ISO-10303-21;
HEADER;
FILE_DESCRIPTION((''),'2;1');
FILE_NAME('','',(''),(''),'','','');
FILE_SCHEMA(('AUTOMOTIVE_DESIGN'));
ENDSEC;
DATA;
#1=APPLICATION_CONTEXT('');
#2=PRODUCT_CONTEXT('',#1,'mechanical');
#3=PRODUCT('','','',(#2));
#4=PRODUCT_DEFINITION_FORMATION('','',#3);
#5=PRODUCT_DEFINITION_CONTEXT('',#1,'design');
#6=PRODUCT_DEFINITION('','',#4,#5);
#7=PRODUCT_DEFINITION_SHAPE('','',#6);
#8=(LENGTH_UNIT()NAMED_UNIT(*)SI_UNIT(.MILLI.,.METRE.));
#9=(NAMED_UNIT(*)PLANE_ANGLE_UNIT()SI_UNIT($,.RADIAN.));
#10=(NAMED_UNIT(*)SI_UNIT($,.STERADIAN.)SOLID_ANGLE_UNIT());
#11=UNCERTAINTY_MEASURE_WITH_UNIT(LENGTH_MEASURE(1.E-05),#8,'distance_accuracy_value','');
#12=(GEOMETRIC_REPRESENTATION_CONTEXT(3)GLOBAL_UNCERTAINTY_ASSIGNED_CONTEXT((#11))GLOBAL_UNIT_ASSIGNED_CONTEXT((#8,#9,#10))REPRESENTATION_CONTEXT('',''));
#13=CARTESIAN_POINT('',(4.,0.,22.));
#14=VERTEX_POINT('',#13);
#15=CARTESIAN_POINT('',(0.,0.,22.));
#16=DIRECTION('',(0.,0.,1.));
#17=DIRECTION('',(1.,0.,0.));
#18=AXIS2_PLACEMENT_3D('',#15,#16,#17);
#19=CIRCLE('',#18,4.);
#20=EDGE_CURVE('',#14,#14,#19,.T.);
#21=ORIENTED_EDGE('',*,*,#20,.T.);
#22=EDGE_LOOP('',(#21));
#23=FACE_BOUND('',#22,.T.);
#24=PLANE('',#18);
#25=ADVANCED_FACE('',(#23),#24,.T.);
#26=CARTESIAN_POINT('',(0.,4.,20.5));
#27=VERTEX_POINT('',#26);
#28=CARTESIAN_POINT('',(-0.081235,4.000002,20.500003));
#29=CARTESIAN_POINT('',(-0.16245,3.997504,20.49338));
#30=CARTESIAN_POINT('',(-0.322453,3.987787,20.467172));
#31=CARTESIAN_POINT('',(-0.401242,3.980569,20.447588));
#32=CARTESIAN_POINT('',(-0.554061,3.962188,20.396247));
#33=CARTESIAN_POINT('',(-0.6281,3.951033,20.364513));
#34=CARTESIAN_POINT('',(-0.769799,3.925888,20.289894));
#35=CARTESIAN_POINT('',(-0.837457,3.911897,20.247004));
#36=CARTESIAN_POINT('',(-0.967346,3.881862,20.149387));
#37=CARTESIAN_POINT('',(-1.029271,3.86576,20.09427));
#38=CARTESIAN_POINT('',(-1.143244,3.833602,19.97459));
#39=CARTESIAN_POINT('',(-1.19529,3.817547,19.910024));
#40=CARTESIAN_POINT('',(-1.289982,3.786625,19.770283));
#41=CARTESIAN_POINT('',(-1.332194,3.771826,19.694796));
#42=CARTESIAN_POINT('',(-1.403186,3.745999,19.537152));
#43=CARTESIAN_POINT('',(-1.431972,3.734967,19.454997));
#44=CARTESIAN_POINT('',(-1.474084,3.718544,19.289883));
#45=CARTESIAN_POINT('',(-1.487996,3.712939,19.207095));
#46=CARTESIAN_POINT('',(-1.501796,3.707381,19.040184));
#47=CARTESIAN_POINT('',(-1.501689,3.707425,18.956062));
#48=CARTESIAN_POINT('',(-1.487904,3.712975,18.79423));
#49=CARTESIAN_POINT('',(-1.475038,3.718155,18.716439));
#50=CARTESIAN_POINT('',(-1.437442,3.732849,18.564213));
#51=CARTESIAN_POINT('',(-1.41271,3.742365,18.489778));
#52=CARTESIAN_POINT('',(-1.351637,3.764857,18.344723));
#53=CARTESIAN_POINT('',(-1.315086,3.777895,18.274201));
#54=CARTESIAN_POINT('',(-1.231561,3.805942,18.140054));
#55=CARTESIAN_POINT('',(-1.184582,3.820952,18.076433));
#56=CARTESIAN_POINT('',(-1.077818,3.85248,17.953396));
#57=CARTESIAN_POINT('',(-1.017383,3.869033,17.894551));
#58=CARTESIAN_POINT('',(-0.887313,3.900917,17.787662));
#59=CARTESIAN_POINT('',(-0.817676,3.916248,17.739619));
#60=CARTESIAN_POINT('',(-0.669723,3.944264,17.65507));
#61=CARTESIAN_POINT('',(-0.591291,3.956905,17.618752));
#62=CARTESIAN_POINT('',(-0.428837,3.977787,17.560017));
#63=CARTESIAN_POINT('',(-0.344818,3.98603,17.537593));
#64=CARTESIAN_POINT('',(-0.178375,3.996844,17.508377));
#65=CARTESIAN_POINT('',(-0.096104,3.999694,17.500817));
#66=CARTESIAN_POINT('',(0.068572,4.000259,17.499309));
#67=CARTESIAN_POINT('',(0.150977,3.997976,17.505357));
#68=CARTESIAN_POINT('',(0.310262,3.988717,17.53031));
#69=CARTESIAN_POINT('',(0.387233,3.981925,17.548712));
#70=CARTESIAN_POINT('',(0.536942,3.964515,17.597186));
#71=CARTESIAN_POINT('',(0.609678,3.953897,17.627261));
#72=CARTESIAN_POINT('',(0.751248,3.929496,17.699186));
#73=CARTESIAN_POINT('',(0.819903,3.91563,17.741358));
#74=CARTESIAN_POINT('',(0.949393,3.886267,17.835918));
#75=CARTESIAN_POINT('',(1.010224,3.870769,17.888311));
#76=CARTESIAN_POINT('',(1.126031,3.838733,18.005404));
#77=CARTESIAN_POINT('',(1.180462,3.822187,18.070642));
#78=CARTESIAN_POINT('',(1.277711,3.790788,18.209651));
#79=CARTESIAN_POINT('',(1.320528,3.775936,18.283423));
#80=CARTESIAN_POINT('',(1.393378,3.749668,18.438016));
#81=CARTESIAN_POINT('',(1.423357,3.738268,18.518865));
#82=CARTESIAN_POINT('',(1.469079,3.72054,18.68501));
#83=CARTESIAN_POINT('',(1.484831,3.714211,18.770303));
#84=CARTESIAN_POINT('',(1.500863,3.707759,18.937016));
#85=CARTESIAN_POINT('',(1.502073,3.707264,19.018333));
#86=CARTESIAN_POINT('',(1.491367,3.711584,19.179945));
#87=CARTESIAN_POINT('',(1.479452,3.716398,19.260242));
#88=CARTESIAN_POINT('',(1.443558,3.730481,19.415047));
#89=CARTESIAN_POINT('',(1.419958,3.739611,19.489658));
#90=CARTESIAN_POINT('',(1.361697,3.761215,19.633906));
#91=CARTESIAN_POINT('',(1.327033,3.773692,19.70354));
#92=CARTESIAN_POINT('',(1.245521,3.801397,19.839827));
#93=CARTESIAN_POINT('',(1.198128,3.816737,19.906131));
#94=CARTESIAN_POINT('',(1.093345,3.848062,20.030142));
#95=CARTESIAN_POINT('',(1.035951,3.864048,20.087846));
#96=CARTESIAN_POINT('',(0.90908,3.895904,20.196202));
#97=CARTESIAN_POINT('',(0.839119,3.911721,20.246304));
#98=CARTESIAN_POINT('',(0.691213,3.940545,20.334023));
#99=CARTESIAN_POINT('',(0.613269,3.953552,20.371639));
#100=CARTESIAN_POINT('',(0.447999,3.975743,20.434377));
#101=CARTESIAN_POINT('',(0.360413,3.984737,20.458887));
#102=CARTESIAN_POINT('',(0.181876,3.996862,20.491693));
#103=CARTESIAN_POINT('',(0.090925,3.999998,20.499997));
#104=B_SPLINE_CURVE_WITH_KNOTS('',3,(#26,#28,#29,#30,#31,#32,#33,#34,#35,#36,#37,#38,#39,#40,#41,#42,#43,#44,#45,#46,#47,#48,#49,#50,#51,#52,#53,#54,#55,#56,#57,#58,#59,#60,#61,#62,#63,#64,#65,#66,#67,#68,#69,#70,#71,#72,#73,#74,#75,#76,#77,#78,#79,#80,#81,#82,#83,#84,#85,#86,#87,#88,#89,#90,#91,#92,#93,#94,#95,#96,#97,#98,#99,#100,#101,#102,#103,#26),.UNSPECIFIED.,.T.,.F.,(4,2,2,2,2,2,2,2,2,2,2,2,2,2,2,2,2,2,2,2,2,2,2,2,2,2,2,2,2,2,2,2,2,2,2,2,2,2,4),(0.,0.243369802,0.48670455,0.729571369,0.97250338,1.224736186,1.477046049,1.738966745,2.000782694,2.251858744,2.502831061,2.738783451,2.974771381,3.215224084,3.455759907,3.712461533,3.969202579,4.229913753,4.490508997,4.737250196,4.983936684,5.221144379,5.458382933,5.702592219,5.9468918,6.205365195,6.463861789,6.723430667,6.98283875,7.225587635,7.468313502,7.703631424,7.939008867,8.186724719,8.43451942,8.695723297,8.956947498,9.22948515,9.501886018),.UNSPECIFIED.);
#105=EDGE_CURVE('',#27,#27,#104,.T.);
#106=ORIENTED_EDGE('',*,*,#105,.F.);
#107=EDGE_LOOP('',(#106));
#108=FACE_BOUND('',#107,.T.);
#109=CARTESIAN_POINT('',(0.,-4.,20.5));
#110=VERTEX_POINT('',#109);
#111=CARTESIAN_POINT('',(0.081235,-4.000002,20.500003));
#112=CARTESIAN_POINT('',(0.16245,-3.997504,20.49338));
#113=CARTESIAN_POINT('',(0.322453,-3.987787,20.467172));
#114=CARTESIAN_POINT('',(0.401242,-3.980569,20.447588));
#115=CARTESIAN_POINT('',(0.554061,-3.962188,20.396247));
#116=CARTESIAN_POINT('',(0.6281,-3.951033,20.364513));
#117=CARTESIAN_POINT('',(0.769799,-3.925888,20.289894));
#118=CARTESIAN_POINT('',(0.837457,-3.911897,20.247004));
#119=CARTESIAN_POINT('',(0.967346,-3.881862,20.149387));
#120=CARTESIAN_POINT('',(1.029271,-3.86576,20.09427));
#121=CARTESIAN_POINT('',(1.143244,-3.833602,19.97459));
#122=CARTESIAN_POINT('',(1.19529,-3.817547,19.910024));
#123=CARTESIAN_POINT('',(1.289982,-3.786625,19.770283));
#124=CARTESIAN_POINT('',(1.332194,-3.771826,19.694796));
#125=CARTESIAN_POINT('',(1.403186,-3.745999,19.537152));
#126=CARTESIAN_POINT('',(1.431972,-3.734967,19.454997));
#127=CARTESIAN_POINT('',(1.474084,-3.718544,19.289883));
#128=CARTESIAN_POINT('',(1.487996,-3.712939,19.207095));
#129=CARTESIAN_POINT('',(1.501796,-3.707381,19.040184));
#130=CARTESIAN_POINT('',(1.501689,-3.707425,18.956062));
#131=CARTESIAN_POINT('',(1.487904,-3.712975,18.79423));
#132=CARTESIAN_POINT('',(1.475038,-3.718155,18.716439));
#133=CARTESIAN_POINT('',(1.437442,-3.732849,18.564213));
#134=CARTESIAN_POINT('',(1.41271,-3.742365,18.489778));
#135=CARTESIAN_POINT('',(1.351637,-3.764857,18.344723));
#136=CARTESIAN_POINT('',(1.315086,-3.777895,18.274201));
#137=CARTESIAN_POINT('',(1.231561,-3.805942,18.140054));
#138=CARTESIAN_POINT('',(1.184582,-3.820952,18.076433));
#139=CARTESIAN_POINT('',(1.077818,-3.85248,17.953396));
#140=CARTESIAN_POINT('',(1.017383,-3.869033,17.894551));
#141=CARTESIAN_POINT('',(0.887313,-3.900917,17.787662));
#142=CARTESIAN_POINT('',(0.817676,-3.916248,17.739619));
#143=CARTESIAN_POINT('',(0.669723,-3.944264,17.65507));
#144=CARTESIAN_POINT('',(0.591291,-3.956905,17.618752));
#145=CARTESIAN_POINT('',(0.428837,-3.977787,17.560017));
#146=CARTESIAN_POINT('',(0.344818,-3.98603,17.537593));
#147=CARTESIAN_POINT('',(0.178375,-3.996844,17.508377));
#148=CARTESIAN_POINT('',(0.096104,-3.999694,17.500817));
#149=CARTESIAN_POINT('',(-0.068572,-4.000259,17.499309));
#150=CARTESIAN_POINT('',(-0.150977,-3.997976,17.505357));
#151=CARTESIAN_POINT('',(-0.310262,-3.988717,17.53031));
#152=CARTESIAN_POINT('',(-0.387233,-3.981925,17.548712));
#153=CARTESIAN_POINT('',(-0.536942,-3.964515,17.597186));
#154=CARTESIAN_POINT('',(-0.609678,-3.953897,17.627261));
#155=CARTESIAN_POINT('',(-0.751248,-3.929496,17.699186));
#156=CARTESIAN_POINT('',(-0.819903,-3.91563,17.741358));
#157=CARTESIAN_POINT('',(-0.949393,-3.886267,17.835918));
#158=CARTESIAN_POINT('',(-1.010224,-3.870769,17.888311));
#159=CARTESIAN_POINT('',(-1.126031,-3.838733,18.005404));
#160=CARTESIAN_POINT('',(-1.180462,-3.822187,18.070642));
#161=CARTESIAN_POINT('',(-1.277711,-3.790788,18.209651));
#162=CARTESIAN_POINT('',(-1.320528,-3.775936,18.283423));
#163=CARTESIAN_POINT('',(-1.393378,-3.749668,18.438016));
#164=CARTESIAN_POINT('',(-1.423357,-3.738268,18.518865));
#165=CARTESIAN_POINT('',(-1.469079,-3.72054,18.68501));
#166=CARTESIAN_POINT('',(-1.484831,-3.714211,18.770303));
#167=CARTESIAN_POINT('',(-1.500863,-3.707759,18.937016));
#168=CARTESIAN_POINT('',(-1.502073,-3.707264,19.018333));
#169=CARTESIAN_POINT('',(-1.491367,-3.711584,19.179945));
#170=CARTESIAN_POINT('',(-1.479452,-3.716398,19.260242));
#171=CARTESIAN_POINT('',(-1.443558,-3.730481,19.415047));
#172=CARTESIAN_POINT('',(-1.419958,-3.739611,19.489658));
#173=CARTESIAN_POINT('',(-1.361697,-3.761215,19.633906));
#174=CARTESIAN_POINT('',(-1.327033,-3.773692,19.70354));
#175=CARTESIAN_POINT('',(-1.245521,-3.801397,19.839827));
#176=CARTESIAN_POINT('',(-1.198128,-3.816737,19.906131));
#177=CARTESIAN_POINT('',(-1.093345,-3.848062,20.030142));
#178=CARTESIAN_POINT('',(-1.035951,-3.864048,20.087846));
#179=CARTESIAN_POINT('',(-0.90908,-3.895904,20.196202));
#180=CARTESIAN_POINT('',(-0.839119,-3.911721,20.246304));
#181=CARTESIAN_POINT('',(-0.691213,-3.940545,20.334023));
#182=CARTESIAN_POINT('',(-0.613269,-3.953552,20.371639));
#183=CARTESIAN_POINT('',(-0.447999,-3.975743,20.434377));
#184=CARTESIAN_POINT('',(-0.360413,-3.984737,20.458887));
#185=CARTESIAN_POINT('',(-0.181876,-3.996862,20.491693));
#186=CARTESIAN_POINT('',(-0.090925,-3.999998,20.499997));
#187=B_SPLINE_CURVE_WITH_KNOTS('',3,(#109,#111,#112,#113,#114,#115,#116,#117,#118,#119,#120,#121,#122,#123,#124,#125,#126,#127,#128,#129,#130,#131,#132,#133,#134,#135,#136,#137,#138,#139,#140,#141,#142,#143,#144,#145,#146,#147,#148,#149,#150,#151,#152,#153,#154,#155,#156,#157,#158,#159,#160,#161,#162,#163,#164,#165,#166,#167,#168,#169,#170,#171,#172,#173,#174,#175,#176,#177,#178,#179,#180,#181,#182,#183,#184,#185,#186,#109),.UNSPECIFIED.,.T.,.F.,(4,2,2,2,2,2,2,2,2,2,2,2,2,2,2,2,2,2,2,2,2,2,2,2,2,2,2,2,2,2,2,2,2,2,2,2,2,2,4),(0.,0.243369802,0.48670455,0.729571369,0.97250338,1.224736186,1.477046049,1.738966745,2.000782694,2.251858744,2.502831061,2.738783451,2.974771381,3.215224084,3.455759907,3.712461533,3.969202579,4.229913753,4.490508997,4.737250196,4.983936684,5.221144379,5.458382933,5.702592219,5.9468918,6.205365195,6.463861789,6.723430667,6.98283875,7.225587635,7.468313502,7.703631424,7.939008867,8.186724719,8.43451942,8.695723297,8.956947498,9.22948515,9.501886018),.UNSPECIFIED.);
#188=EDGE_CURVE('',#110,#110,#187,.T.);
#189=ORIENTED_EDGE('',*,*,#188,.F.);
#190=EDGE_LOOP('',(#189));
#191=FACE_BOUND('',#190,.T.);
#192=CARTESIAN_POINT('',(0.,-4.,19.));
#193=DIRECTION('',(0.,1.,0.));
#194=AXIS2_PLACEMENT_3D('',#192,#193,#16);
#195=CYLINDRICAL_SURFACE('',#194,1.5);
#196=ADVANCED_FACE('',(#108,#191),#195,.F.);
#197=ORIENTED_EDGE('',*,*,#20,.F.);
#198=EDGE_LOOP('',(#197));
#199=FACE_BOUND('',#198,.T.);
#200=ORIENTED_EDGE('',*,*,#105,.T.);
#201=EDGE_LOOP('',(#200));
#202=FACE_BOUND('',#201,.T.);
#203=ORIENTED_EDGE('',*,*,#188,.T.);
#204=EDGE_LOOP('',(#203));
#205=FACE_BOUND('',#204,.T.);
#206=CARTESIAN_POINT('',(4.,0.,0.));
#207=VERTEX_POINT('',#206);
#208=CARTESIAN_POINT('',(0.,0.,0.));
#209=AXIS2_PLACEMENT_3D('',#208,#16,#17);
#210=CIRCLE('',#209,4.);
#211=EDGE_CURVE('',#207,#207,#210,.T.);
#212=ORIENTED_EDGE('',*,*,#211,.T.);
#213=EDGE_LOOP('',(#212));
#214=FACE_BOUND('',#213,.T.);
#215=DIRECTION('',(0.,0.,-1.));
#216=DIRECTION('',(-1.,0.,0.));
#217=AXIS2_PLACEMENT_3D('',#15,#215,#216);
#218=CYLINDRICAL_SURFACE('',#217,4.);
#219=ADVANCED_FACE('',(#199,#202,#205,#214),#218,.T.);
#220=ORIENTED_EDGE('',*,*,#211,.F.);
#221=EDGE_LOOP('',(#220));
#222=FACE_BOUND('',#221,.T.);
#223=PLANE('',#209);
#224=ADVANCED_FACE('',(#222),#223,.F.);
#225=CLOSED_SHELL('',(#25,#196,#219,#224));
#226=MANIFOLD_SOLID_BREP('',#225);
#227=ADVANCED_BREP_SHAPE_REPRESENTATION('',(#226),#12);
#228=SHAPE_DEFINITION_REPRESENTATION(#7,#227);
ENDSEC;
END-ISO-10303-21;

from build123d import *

# Parameters (mm, degrees)
SKETCH1_R           = 4
BOSS_EXTRUDE1_DEPTH = 22
SKETCH2_R           = 1.5
CUT_EXTRUDE1_DEPTH  = 9


with BuildPart() as part:
    # Sketch1 → Boss-Extrude1 (new body)
    with BuildSketch(Plane.XY):
        Circle(SKETCH1_R)
    extrude(amount=BOSS_EXTRUDE1_DEPTH)

    # Sketch2 → Cut-Extrude1 (cut, through all)
    with BuildSketch(Plane(origin=(0, 4, 0), x_dir=(1, 0, 0), z_dir=(0, 1, 0))):
        with Locations((0, -19)):
            Circle(SKETCH2_R)
    extrude(amount=-CUT_EXTRUDE1_DEPTH, mode=Mode.SUBTRACT)


solid = part.part
